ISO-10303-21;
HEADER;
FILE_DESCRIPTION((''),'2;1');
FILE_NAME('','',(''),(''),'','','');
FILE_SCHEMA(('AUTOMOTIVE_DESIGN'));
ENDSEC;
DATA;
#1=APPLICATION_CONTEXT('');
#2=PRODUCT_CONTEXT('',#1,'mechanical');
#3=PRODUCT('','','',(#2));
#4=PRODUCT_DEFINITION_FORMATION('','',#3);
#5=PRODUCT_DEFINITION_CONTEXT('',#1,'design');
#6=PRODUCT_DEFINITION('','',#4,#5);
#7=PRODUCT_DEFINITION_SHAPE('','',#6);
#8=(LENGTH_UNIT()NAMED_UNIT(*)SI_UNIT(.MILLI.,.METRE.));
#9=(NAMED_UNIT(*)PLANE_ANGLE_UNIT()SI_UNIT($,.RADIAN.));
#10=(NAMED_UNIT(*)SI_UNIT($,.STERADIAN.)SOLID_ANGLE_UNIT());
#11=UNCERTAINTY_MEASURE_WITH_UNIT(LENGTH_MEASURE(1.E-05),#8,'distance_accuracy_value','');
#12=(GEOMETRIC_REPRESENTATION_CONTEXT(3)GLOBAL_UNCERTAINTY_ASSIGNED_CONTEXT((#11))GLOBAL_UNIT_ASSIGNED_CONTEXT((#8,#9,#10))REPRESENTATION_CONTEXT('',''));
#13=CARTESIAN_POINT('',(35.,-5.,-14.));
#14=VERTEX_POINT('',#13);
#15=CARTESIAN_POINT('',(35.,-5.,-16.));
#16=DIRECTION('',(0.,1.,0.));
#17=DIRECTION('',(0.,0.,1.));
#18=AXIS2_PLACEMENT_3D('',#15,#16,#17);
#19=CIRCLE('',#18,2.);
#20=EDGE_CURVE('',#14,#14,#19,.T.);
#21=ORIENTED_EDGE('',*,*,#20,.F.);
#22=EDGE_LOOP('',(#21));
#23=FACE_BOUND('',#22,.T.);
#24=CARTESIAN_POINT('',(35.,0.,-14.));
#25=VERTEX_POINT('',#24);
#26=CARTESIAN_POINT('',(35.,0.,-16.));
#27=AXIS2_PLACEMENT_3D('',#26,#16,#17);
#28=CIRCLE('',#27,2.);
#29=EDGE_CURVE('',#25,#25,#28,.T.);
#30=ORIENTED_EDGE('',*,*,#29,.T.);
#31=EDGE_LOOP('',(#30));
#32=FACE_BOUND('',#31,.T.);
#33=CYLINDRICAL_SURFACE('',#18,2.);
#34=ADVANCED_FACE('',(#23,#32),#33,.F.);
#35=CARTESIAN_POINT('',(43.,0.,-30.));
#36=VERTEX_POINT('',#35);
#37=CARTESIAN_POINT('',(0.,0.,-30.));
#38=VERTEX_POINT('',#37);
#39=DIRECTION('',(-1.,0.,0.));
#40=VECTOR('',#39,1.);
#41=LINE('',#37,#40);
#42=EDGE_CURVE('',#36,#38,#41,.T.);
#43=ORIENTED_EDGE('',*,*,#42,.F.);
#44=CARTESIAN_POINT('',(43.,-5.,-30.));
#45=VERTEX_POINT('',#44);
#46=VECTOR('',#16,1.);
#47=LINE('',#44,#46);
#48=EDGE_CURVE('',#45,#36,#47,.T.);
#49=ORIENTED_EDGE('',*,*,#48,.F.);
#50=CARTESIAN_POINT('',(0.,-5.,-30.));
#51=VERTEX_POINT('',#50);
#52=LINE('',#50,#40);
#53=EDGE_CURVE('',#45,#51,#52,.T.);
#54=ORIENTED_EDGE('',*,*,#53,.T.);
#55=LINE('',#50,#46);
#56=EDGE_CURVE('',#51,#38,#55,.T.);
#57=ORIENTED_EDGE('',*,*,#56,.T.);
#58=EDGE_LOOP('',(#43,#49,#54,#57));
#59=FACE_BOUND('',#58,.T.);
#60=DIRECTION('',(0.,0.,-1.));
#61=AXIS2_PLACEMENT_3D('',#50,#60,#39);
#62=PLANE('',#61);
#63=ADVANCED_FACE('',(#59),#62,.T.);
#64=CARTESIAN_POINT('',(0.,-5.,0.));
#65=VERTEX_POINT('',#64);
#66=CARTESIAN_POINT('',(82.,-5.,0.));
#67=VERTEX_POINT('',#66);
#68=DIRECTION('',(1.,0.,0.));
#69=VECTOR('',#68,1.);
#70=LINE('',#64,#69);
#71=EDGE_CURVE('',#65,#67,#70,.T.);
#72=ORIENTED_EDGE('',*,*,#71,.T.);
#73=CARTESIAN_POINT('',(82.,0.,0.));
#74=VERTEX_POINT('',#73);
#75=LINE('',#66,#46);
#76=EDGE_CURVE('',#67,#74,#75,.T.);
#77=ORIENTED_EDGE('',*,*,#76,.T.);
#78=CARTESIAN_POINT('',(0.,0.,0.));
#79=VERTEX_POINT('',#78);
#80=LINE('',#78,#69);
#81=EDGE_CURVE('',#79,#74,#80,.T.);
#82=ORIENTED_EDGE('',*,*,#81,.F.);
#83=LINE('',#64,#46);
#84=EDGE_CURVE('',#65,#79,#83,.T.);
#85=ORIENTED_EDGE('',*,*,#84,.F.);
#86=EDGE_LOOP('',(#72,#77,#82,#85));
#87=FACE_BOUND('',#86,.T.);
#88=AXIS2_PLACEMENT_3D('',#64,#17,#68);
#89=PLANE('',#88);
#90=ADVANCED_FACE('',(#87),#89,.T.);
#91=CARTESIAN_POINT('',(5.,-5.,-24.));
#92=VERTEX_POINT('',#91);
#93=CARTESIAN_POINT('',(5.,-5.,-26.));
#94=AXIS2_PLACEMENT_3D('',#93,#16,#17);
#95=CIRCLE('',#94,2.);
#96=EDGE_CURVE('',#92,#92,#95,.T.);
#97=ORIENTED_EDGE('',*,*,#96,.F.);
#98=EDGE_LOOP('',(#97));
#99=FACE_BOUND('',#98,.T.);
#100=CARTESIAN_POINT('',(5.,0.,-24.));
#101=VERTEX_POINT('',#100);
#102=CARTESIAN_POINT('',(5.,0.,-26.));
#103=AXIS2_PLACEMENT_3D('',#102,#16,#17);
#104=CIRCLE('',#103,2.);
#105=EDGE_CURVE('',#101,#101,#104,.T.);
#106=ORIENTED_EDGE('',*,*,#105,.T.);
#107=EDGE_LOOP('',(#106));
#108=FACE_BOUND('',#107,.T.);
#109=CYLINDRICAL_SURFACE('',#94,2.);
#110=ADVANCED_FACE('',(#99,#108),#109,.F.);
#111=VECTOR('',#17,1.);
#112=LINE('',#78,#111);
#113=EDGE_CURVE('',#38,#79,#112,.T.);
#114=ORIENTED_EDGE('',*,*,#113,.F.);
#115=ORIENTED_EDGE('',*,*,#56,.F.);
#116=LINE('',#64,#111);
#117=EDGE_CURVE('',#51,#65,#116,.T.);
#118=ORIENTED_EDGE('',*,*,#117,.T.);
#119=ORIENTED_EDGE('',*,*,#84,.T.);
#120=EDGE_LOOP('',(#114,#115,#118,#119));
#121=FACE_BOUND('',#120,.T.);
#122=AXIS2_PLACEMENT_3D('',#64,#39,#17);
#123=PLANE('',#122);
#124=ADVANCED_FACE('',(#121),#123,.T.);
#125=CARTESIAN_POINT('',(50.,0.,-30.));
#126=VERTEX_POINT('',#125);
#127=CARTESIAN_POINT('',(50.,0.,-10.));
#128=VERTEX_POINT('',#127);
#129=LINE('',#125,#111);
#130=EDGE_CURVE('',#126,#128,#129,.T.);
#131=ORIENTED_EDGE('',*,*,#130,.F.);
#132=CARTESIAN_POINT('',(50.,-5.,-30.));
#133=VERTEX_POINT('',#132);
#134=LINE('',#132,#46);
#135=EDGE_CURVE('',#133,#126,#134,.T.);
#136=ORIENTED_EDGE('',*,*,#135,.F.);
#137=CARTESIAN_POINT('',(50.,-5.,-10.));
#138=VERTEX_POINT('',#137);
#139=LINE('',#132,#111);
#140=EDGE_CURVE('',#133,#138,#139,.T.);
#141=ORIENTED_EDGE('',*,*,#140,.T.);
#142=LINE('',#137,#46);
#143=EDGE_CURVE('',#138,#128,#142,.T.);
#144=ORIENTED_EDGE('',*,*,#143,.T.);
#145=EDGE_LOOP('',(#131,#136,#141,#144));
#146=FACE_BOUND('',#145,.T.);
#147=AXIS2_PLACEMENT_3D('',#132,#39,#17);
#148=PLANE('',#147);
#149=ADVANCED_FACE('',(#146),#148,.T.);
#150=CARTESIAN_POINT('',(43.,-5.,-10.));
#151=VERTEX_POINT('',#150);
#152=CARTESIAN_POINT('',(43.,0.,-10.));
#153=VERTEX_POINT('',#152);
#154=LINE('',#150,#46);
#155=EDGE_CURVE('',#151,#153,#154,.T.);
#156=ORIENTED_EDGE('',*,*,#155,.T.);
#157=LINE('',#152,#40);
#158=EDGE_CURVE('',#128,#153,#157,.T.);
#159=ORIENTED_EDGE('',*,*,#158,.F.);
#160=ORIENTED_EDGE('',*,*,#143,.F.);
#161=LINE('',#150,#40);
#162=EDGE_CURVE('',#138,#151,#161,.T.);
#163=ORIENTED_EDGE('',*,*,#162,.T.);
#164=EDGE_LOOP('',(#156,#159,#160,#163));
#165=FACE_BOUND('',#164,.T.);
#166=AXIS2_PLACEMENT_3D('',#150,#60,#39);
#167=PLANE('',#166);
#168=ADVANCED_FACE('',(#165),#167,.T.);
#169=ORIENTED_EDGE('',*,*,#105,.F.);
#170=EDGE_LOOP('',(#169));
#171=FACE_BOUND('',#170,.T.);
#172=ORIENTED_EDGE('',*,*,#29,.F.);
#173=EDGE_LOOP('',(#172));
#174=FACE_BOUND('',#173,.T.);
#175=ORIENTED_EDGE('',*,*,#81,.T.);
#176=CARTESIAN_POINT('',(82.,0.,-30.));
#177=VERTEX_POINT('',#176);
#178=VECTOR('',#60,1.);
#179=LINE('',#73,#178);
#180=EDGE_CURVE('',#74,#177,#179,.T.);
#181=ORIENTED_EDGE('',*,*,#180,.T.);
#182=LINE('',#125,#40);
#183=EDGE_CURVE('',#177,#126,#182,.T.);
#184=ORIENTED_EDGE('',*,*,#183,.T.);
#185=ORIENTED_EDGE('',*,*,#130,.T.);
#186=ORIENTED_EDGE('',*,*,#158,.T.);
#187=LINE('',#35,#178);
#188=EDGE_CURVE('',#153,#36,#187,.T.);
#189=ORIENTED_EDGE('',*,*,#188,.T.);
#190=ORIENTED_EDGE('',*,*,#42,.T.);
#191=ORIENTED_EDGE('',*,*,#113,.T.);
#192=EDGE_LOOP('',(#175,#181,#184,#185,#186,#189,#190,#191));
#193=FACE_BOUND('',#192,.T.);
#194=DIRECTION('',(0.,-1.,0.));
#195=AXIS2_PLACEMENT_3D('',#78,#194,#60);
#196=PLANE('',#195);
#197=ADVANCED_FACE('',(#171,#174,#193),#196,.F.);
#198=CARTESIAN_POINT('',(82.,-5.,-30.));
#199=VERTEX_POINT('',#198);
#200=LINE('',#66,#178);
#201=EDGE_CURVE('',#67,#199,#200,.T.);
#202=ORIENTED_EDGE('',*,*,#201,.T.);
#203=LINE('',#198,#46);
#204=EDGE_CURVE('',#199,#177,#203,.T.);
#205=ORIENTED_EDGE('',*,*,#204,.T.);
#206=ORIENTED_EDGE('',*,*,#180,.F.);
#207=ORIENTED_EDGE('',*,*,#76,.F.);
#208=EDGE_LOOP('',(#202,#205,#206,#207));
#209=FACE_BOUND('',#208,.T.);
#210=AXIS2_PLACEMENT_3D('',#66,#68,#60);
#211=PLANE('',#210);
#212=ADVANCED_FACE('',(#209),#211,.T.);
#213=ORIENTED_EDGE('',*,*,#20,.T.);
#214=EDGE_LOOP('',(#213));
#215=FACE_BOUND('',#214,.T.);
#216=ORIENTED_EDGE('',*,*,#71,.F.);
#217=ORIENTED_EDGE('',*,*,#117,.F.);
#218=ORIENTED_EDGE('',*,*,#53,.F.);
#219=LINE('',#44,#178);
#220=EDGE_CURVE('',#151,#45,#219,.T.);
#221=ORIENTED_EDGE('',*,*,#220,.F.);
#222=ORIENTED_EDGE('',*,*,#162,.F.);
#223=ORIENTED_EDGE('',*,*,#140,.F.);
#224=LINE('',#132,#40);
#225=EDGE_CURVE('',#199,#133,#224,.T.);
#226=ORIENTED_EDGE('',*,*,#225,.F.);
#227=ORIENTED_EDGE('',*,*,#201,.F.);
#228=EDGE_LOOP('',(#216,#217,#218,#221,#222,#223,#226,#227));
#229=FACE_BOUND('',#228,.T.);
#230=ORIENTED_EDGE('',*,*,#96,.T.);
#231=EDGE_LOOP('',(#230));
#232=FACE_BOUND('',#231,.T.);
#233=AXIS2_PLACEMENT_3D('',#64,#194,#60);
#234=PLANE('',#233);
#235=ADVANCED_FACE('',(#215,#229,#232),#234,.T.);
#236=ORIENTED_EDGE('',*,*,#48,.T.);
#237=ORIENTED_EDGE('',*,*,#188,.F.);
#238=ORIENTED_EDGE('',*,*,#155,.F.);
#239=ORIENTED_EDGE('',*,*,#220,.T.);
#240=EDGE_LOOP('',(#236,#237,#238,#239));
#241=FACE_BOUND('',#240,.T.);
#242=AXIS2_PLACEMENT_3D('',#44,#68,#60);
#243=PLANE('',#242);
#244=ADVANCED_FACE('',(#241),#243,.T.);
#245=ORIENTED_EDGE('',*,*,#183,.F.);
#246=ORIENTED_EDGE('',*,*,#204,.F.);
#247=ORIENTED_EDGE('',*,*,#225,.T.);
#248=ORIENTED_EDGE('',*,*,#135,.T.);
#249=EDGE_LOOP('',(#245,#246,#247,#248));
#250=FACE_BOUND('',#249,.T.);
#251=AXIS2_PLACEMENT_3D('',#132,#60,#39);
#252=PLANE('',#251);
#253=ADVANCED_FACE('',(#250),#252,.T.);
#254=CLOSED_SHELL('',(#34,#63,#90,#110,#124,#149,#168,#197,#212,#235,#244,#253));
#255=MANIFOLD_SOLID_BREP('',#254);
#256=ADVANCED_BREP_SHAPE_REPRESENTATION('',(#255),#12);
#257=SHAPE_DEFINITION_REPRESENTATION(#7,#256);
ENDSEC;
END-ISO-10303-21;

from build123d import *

# Parameters (mm, degrees)
SKETCH1_R           = 2
BOSS_EXTRUDE1_DEPTH = 5


with BuildPart() as part:
    # Sketch1 → Boss-Extrude1 (new body)
    with BuildSketch(Plane(origin=(0, 0, 0), x_dir=(1, 0, 0), z_dir=(0, 1, 0))):
        Polygon((50, 30), (82, 30), (82, 0), (0, 0), (0, 30), (43, 30), (43, 10), (50, 10), align=None)
        with Locations(Location((5, 26, 0), (0, 0, 270))):
            Circle(SKETCH1_R, mode=Mode.SUBTRACT)
        with Locations(Location((35, 16, 0), (0, 0, 270))):
            Circle(SKETCH1_R, mode=Mode.SUBTRACT)
    extrude(amount=-BOSS_EXTRUDE1_DEPTH)


solid = part.part
